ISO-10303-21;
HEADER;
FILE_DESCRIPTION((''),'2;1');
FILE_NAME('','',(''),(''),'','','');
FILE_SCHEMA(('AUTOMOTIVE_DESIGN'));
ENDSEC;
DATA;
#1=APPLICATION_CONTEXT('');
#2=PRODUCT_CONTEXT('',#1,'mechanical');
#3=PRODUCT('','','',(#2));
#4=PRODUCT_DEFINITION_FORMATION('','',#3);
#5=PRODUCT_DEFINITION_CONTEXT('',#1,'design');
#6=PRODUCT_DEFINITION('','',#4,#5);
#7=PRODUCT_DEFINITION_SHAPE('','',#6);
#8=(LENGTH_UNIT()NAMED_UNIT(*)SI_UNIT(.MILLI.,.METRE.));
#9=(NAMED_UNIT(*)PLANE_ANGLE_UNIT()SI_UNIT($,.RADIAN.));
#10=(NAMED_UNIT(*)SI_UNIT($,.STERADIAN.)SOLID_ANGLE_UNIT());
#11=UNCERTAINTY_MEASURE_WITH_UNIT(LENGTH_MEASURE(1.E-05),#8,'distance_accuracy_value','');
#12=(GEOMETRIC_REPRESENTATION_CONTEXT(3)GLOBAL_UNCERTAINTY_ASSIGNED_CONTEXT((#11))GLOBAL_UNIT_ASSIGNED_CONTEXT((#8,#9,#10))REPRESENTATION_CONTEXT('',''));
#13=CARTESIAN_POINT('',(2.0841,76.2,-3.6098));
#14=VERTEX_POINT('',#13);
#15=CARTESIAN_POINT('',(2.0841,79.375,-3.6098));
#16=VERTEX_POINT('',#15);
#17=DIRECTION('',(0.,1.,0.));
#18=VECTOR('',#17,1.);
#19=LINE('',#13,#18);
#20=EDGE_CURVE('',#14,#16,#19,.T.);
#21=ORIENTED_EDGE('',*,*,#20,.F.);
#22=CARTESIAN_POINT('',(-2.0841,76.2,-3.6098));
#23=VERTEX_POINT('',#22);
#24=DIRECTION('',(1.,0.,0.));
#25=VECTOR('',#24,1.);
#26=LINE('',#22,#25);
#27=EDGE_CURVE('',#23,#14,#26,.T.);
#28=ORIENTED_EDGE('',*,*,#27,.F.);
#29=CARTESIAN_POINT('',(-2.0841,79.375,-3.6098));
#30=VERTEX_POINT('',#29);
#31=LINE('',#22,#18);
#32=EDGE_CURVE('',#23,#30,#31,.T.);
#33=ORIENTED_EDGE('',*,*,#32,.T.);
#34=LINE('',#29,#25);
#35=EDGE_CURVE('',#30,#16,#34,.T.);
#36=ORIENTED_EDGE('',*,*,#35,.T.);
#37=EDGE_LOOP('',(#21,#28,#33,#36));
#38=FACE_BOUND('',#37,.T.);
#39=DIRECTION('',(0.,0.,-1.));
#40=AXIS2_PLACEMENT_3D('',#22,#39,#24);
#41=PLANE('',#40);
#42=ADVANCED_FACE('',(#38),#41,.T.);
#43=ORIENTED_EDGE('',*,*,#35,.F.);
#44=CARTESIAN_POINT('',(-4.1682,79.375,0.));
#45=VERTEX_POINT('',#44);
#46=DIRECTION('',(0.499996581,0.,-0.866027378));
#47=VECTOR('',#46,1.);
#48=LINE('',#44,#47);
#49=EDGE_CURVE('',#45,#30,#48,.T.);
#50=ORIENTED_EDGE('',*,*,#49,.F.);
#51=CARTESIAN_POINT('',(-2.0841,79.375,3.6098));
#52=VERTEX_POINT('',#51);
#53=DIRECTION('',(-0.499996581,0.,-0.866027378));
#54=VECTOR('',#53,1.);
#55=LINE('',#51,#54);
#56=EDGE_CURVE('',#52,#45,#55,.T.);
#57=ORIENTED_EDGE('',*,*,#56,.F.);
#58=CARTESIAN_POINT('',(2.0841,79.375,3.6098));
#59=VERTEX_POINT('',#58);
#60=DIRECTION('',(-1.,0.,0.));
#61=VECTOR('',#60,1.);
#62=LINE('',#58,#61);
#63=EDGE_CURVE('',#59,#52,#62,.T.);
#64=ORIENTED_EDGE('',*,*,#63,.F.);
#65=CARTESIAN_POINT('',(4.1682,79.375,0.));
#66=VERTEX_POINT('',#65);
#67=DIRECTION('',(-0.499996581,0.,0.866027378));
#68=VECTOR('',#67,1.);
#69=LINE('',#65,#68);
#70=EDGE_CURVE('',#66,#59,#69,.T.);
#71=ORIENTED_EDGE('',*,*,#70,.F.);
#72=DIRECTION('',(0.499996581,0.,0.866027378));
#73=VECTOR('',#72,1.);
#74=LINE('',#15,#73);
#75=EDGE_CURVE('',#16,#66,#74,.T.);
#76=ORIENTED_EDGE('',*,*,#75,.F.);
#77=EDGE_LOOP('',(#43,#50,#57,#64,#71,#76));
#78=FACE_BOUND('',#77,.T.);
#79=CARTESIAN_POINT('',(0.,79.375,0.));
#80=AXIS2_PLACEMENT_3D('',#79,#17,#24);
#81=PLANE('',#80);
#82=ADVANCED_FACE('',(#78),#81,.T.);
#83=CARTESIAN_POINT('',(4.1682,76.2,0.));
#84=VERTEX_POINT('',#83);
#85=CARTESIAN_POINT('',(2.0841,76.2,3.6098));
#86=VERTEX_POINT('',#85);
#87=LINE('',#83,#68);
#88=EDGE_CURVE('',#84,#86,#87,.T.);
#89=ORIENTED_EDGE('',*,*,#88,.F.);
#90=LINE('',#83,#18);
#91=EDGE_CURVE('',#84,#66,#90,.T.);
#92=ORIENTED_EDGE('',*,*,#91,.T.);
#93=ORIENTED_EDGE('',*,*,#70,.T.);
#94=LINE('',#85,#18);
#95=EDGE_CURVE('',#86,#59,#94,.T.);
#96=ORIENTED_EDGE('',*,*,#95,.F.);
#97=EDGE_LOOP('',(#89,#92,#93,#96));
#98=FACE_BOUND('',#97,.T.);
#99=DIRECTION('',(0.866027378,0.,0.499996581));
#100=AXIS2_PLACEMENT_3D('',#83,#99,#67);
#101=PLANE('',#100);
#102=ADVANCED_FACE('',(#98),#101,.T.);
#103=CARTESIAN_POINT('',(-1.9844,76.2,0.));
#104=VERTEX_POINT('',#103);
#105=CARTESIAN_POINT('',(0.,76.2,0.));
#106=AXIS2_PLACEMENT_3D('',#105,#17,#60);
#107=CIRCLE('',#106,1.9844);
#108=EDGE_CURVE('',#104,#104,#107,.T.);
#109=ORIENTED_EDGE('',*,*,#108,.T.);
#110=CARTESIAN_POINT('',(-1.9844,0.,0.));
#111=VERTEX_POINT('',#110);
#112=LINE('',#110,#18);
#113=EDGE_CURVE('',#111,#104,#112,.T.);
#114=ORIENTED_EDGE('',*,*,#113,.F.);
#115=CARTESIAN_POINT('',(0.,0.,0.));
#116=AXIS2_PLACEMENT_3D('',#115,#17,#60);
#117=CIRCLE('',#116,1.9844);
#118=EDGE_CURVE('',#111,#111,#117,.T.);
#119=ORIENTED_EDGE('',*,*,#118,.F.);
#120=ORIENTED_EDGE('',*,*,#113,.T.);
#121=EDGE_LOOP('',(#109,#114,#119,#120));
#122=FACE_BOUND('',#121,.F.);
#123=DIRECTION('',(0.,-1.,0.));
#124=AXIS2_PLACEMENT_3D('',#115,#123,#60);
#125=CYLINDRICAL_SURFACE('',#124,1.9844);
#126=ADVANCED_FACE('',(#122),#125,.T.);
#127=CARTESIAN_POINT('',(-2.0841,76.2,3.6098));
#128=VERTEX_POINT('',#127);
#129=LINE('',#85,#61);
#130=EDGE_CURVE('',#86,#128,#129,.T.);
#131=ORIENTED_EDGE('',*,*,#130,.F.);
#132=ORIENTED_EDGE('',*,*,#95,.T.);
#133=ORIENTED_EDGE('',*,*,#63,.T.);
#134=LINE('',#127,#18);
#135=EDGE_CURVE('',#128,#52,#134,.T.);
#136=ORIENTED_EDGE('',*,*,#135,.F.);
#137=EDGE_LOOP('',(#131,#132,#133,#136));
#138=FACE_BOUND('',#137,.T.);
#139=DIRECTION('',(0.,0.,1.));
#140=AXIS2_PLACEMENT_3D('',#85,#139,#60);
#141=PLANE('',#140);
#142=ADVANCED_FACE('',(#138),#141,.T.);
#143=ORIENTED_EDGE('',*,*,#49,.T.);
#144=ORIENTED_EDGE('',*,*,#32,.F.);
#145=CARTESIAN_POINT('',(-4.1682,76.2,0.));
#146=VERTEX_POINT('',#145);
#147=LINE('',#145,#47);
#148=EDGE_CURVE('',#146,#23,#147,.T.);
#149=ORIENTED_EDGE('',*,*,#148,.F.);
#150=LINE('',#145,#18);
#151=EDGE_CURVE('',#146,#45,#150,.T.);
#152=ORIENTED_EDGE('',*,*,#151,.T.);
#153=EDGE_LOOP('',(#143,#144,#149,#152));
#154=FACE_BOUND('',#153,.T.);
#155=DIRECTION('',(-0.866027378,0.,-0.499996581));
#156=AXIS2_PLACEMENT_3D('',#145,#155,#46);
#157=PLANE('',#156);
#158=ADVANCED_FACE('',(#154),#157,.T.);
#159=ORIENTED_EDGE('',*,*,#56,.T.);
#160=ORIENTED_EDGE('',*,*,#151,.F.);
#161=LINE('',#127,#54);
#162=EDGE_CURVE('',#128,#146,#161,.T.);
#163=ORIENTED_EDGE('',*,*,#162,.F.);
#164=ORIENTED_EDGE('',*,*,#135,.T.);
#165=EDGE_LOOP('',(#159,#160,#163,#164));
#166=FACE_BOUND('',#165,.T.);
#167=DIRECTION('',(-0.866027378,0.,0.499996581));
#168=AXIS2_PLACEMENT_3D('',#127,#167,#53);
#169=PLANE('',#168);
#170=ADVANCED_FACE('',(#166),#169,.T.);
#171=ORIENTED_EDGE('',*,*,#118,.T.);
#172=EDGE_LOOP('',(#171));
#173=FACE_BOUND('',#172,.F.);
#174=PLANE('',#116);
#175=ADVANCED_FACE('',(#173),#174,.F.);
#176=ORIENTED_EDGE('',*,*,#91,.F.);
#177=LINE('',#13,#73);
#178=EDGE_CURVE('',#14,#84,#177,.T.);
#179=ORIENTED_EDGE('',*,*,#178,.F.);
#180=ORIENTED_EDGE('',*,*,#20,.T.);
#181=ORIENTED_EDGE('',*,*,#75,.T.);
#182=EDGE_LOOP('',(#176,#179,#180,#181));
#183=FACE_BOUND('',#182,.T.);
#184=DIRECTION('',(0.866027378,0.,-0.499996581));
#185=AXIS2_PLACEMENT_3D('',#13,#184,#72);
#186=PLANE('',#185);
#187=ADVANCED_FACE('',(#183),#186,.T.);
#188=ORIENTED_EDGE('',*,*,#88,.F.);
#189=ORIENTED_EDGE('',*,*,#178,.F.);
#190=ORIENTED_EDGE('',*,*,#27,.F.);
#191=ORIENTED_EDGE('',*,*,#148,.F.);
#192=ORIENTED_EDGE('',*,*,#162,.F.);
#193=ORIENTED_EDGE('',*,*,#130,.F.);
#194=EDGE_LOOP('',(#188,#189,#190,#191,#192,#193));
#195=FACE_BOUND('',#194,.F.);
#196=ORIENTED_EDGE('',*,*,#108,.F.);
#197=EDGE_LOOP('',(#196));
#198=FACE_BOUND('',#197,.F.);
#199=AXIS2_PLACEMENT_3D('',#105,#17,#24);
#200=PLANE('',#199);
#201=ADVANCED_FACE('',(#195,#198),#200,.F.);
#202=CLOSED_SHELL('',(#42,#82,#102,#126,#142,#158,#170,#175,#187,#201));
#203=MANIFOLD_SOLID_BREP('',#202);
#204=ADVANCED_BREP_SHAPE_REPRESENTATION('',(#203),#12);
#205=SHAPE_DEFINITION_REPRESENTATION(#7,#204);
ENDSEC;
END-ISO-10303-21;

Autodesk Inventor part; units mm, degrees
ref_plane "YZ Plane" through (0, 0, 0) normal (1, 0, 0) x (0, 1, 0)
ref_plane "XZ Plane" through (0, 0, 0) normal (0, 1, 0) x (-1, 0, 0)
ref_plane "XY Plane" through (0, 0, 0) normal (0, 0, 1) x (1, 0, 0)
sketch "Sketch1" plane through (0, 0, 0) normal (0, 1, 0) x (-1, 0, 0)
  circle A0 centre (0, 0) radius 1.9844
  dimension "d0" = 3.9688
extrude "Extrusion1" add sketch "Sketch1" along normal blind 76.2
sketch "Sketch2" plane through (0, 76.2, 0) normal (0, 1, 0) x (1, 0, 0)
  line L0 (-4.1682, 0) -> (-2.0841, 3.6098)
  line L1 (-2.0841, 3.6098) -> (2.0841, 3.6098)
  line L2 (2.0841, 3.6098) -> (4.1682, 0)
  line L3 (4.1682, 0) -> (2.0841, -3.6098)
  line L4 (2.0841, -3.6098) -> (-2.0841, -3.6098)
  line L5 (-2.0841, -3.6098) -> (-4.1682, 0)
  point P0 (0, 0)
  point P1 (0, 0)
extrude "Extrusion2" add sketch "Sketch2" along normal blind 3.175
properties part number "Bag motor bolt"
